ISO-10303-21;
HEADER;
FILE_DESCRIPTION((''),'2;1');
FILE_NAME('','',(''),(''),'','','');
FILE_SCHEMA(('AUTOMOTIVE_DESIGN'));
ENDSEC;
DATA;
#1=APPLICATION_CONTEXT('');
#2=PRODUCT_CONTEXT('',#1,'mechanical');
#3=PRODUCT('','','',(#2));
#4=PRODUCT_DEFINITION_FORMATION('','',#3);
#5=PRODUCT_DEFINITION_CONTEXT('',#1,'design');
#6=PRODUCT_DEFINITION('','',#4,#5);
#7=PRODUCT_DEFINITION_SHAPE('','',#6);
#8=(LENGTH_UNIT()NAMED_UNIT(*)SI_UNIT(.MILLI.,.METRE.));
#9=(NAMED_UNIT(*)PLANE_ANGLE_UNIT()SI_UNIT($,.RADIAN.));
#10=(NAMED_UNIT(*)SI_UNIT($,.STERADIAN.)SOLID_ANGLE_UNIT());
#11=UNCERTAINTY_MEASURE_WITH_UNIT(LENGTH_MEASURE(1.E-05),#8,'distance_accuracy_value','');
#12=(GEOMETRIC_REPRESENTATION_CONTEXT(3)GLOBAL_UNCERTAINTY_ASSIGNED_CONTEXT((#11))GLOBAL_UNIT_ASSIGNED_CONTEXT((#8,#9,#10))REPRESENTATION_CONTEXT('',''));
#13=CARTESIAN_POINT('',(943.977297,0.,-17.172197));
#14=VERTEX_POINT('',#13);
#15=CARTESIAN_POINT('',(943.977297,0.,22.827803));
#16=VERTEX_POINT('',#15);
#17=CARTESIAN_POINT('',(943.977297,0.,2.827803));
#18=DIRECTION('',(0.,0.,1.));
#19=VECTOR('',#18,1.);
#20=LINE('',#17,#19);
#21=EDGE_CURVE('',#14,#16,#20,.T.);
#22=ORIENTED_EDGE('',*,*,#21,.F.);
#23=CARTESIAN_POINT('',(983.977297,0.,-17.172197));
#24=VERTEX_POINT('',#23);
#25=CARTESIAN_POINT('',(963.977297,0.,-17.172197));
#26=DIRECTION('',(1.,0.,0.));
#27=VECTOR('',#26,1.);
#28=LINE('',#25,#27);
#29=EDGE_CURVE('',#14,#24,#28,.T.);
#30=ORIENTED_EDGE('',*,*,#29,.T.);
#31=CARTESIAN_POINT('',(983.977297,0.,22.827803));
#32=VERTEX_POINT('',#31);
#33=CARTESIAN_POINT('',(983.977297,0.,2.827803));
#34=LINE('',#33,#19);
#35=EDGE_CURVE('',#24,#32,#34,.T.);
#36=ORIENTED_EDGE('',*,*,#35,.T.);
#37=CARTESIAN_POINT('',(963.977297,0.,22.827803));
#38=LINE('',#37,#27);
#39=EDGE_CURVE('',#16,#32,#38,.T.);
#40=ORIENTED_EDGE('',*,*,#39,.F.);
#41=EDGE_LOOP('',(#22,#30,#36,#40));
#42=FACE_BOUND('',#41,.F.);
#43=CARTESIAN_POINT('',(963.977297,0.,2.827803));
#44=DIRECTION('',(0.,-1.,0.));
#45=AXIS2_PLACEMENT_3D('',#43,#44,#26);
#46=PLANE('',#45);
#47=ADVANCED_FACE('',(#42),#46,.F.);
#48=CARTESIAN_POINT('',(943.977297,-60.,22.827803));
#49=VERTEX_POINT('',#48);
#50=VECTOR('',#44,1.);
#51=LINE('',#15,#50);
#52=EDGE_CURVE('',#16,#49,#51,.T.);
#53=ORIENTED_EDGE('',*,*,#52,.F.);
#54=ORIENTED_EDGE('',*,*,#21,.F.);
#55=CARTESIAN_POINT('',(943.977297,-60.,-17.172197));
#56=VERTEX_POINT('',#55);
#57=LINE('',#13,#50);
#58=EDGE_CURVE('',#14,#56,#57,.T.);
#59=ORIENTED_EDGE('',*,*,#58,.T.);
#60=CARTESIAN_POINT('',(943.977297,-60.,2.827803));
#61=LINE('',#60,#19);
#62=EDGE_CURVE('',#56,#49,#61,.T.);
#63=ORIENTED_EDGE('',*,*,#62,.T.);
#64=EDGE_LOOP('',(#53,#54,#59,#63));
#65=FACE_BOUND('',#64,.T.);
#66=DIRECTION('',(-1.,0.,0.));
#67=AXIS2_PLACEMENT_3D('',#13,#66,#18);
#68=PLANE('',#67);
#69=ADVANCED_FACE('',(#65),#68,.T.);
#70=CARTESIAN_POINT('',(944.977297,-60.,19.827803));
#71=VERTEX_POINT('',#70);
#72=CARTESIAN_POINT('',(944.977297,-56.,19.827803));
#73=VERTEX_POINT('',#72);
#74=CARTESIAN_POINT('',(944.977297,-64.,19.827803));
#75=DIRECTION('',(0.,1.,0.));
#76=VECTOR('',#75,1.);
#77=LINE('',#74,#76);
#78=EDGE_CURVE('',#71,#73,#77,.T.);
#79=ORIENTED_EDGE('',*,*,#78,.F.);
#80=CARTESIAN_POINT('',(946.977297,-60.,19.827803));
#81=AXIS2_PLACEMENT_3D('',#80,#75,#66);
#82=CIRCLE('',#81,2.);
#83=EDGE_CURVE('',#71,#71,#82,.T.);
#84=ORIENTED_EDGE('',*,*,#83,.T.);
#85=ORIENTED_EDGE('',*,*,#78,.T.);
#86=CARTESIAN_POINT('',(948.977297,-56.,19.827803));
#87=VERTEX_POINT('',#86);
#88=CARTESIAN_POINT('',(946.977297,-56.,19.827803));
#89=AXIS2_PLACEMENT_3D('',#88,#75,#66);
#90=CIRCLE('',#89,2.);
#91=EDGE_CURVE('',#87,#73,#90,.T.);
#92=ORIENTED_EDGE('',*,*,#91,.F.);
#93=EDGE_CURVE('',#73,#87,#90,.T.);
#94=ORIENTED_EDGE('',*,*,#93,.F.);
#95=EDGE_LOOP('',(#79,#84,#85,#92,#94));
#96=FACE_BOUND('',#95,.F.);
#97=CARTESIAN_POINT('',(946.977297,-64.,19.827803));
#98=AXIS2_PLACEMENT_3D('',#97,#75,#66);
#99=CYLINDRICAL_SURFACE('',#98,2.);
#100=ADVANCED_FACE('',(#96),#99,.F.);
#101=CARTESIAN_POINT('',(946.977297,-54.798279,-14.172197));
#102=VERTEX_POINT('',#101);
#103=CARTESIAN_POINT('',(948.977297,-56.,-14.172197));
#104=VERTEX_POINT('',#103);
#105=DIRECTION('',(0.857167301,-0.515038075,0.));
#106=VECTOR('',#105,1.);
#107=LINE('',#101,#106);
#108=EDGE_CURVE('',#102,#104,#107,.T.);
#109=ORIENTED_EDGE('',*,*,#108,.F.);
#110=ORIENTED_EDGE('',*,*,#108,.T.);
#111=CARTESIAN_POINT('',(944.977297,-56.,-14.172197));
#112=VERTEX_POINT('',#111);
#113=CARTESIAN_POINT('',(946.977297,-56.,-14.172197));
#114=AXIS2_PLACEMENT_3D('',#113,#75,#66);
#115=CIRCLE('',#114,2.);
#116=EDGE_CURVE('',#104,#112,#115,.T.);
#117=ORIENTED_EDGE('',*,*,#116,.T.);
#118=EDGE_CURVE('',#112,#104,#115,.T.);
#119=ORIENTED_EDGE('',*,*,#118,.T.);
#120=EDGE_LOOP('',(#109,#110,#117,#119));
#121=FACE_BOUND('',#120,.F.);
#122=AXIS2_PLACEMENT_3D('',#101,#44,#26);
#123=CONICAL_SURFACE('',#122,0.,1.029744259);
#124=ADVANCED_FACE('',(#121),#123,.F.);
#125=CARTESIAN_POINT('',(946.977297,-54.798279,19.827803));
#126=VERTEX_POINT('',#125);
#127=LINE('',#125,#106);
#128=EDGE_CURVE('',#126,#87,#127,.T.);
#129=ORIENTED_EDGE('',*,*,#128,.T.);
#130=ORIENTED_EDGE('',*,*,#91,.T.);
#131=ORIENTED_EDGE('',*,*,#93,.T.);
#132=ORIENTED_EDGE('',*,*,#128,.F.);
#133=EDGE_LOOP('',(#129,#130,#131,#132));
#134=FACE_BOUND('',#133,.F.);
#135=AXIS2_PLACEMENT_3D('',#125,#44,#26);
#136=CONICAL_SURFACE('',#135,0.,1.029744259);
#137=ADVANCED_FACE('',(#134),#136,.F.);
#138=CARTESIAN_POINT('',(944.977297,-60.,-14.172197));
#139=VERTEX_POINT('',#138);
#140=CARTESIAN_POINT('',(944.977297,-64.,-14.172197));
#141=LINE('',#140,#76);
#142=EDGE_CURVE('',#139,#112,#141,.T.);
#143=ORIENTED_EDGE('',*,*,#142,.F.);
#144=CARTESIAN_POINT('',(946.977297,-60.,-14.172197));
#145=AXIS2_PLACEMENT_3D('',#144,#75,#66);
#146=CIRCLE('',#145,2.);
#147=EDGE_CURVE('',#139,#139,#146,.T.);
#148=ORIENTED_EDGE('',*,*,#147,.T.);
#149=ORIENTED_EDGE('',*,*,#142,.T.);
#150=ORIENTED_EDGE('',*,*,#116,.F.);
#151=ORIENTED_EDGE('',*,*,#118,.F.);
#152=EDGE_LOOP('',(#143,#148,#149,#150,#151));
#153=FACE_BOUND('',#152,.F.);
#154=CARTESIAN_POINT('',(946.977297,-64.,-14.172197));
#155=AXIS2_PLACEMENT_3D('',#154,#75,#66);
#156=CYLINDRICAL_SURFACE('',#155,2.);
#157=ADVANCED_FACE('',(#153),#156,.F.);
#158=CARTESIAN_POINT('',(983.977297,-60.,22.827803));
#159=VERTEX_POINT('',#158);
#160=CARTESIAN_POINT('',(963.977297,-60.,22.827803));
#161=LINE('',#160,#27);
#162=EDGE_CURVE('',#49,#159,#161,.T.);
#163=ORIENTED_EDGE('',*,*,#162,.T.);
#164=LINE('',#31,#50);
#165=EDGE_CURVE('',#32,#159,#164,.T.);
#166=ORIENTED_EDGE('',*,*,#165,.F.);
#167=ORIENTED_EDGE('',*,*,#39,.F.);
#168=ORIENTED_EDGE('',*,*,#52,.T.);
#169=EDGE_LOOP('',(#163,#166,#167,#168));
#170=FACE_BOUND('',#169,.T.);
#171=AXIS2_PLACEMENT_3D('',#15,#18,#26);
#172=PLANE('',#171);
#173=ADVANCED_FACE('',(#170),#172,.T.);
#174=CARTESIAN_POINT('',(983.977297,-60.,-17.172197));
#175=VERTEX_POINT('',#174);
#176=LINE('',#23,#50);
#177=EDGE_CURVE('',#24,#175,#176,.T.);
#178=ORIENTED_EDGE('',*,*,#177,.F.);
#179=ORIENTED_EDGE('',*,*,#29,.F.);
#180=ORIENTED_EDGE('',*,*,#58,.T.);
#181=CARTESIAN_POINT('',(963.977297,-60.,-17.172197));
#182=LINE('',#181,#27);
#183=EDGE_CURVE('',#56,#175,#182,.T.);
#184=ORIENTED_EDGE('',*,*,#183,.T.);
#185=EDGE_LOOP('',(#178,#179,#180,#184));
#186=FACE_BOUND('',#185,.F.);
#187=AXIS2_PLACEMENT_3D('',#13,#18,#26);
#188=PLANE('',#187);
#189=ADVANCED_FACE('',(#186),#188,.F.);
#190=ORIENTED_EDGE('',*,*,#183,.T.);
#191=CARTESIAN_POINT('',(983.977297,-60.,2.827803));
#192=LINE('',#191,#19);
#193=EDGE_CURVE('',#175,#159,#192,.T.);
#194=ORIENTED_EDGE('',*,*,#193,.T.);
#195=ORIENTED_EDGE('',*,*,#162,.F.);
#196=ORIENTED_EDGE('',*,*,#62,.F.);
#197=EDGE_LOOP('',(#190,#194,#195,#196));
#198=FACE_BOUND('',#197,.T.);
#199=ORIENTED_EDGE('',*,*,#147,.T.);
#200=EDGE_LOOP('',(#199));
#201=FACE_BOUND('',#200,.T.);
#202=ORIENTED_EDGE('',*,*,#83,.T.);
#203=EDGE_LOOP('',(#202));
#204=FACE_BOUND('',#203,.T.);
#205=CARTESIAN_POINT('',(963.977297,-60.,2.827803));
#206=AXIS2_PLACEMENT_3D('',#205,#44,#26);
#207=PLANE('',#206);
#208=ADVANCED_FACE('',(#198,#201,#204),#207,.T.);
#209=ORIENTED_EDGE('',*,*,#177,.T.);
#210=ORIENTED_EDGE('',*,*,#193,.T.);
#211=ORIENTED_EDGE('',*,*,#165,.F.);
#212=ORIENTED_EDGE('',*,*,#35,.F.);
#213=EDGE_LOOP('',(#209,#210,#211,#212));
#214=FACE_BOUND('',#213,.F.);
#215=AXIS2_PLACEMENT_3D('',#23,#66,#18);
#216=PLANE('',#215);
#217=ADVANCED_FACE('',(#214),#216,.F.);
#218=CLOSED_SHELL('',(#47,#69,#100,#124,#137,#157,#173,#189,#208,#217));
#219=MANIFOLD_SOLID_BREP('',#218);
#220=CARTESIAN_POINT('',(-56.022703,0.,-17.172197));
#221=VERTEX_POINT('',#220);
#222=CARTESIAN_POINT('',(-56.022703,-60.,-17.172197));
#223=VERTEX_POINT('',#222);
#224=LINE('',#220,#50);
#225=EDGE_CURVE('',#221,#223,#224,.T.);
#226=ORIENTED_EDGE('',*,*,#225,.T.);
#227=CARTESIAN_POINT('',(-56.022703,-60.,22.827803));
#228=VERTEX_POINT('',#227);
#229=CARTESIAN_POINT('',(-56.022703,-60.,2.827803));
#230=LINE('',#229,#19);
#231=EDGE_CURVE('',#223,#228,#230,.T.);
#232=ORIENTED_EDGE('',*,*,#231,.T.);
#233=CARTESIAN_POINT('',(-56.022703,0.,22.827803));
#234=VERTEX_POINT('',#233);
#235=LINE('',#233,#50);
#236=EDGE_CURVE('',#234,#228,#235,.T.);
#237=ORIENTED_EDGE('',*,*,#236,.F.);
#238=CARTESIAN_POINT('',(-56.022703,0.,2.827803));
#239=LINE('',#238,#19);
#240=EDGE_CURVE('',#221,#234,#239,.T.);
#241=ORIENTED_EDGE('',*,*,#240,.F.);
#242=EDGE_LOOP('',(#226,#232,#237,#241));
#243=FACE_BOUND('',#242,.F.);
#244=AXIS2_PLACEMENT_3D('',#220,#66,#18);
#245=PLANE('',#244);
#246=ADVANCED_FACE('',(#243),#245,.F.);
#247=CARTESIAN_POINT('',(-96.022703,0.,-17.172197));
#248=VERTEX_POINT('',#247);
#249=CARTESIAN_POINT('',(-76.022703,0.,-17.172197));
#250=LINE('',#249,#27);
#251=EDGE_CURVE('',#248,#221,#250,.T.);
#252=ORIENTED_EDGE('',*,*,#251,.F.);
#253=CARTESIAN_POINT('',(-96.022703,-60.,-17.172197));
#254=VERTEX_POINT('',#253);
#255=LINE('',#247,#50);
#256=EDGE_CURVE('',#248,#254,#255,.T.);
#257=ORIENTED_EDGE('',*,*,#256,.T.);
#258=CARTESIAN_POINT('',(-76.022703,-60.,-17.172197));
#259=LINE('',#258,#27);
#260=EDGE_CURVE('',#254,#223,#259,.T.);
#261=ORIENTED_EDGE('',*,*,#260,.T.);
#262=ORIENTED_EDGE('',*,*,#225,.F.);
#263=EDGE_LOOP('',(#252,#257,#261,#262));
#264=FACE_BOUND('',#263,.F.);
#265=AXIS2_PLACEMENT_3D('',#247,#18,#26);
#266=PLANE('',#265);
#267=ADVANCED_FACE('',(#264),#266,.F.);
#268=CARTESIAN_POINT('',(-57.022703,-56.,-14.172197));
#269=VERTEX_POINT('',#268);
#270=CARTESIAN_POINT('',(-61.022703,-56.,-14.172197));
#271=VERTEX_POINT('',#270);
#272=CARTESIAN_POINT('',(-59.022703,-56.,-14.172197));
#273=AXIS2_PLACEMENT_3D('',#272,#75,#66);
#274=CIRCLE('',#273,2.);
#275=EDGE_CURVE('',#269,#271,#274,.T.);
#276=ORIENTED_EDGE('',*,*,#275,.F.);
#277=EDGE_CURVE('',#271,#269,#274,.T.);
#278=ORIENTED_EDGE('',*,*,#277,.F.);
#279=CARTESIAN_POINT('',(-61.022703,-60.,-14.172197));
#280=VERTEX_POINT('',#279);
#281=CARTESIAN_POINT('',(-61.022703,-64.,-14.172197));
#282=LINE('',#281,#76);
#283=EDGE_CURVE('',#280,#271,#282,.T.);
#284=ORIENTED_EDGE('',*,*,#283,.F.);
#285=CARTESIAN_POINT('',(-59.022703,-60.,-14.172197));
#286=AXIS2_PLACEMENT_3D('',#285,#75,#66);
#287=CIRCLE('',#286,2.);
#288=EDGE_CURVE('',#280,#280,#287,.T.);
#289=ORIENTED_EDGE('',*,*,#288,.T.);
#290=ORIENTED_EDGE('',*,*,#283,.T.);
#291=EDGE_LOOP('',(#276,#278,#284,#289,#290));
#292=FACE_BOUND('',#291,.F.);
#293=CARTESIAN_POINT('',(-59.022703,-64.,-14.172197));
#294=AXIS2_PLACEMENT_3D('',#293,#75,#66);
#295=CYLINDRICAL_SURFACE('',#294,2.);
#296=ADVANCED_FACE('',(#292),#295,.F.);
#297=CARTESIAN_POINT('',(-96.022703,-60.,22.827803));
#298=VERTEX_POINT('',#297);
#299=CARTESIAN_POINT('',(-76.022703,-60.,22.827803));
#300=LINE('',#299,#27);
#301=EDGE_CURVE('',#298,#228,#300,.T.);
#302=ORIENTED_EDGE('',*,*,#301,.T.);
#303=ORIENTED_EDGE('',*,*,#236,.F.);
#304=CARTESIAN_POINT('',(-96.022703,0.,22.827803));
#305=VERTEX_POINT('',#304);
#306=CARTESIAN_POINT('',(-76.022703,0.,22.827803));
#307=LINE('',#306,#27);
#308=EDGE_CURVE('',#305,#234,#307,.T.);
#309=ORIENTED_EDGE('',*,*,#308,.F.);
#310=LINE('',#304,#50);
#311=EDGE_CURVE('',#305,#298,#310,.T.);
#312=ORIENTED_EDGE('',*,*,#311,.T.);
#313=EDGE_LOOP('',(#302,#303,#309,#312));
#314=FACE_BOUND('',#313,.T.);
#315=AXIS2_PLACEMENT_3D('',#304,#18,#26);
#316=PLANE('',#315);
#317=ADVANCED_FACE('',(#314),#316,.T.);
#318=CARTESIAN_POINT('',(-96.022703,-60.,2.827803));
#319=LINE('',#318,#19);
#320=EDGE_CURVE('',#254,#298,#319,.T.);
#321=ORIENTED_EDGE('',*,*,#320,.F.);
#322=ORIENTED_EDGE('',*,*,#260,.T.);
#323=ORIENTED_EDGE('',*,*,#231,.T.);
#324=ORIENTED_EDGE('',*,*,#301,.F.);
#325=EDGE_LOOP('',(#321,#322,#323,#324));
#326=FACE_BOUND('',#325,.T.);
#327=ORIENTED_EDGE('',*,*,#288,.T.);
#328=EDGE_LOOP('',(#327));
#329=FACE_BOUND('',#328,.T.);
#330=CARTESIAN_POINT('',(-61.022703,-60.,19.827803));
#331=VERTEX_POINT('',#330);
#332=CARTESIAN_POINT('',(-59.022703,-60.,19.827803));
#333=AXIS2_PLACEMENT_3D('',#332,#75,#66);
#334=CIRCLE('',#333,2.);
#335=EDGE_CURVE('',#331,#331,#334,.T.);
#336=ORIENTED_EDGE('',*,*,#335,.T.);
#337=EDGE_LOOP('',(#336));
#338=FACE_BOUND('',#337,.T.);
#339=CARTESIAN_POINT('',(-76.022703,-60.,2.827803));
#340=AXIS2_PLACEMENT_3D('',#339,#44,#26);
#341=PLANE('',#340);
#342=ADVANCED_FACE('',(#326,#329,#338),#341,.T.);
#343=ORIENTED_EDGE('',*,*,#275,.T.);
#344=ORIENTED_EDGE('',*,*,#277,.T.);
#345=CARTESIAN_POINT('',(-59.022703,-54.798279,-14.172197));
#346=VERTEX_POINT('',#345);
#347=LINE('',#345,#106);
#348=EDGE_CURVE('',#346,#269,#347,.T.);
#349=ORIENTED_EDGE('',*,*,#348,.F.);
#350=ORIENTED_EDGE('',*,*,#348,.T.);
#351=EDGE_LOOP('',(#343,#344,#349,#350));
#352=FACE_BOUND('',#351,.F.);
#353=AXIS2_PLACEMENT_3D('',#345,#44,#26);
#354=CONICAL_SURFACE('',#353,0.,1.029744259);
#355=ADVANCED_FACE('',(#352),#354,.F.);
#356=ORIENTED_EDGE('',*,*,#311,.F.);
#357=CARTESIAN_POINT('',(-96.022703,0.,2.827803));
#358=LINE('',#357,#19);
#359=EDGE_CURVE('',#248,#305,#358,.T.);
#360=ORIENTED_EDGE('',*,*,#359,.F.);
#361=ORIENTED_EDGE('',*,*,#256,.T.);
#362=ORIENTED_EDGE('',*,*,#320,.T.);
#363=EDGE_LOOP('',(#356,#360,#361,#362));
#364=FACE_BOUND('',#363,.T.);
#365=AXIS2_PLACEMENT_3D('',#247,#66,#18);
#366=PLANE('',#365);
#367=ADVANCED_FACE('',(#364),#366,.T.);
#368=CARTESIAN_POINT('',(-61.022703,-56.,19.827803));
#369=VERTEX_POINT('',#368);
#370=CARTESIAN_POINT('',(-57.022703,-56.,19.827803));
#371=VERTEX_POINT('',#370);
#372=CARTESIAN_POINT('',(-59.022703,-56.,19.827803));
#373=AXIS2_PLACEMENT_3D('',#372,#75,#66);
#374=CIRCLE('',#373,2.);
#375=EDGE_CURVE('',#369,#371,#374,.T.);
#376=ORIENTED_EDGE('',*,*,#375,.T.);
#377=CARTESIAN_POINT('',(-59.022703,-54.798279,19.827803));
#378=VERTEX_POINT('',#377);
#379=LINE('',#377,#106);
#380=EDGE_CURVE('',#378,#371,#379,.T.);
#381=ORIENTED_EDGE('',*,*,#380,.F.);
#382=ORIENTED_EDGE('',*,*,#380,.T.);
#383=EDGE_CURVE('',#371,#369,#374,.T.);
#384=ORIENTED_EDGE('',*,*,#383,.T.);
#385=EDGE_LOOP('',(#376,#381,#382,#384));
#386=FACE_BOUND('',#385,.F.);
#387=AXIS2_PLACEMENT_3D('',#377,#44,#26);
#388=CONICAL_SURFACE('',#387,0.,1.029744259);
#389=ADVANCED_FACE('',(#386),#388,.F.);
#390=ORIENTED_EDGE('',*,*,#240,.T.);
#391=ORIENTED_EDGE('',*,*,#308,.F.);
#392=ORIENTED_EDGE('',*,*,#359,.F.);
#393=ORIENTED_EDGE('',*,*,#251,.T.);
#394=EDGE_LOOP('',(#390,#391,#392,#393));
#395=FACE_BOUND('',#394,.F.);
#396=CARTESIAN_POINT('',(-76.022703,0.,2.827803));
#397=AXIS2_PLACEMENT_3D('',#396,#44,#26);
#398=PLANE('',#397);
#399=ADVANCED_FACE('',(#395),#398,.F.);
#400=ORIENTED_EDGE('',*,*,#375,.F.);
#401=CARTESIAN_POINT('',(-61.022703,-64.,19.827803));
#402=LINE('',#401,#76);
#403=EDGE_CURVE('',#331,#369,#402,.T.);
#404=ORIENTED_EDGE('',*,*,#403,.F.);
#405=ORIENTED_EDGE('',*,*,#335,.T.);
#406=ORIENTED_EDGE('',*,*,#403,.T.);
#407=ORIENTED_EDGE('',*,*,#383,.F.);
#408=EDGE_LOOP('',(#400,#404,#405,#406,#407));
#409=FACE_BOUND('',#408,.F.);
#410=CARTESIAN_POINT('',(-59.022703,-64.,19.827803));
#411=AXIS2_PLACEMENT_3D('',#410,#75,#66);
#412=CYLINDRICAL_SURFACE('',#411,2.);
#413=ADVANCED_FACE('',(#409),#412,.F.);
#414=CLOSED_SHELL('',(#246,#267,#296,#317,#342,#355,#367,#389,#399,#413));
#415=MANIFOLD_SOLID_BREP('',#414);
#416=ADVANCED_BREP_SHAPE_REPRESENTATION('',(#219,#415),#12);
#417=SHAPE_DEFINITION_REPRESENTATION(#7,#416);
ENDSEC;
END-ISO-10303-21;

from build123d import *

# Parameters (mm, degrees)
F0_W     = 40
F0_H     = 40
F1_DEPTH = 60
F3_D     = 4
F3_DEPTH = 4
F3_TIP   = 1.2017212381
F5_D     = 4
F5_DEPTH = 4
F5_TIP   = 1.2017212381


with BuildPart() as f1:
    # F0 (on Front) → F1 (new body)
    with BuildSketch(Plane.XZ):
        with Locations((-76.0227025953, 2.8278025426)):
            Rectangle(F0_W, F0_H)
    extrude(amount=F1_DEPTH)

    # F5
    with Locations(Plane.XZ.offset(60)):
        with Locations((-59.0227025953, 19.8278025426), (-59.0227025953, -14.1721974574)):
            Hole(F5_D / 2, depth=F5_DEPTH)
            with Locations((0, 0, -(F5_DEPTH + F5_TIP / 2))):  # 118° drill point
                Cone(0, F5_D / 2, F5_TIP, mode=Mode.SUBTRACT)


with BuildPart() as f1b:
    # F0 (on Front) → F1, piece 2 (new body)
    with BuildSketch(Plane.XZ):
        with Locations((963.9772974047, 2.8278025426)):
            Rectangle(F0_W, F0_H)
    extrude(amount=F1_DEPTH)

    # F3
    with Locations(Plane.XZ.offset(60)):
        with Locations((946.9772974047, 19.8278025426), (946.9772974047, -14.1721974574)):
            Hole(F3_D / 2, depth=F3_DEPTH)
            with Locations((0, 0, -(F3_DEPTH + F3_TIP / 2))):  # 118° drill point
                Cone(0, F3_D / 2, F3_TIP, mode=Mode.SUBTRACT)


solid = Compound([f1.part, f1b.part])
